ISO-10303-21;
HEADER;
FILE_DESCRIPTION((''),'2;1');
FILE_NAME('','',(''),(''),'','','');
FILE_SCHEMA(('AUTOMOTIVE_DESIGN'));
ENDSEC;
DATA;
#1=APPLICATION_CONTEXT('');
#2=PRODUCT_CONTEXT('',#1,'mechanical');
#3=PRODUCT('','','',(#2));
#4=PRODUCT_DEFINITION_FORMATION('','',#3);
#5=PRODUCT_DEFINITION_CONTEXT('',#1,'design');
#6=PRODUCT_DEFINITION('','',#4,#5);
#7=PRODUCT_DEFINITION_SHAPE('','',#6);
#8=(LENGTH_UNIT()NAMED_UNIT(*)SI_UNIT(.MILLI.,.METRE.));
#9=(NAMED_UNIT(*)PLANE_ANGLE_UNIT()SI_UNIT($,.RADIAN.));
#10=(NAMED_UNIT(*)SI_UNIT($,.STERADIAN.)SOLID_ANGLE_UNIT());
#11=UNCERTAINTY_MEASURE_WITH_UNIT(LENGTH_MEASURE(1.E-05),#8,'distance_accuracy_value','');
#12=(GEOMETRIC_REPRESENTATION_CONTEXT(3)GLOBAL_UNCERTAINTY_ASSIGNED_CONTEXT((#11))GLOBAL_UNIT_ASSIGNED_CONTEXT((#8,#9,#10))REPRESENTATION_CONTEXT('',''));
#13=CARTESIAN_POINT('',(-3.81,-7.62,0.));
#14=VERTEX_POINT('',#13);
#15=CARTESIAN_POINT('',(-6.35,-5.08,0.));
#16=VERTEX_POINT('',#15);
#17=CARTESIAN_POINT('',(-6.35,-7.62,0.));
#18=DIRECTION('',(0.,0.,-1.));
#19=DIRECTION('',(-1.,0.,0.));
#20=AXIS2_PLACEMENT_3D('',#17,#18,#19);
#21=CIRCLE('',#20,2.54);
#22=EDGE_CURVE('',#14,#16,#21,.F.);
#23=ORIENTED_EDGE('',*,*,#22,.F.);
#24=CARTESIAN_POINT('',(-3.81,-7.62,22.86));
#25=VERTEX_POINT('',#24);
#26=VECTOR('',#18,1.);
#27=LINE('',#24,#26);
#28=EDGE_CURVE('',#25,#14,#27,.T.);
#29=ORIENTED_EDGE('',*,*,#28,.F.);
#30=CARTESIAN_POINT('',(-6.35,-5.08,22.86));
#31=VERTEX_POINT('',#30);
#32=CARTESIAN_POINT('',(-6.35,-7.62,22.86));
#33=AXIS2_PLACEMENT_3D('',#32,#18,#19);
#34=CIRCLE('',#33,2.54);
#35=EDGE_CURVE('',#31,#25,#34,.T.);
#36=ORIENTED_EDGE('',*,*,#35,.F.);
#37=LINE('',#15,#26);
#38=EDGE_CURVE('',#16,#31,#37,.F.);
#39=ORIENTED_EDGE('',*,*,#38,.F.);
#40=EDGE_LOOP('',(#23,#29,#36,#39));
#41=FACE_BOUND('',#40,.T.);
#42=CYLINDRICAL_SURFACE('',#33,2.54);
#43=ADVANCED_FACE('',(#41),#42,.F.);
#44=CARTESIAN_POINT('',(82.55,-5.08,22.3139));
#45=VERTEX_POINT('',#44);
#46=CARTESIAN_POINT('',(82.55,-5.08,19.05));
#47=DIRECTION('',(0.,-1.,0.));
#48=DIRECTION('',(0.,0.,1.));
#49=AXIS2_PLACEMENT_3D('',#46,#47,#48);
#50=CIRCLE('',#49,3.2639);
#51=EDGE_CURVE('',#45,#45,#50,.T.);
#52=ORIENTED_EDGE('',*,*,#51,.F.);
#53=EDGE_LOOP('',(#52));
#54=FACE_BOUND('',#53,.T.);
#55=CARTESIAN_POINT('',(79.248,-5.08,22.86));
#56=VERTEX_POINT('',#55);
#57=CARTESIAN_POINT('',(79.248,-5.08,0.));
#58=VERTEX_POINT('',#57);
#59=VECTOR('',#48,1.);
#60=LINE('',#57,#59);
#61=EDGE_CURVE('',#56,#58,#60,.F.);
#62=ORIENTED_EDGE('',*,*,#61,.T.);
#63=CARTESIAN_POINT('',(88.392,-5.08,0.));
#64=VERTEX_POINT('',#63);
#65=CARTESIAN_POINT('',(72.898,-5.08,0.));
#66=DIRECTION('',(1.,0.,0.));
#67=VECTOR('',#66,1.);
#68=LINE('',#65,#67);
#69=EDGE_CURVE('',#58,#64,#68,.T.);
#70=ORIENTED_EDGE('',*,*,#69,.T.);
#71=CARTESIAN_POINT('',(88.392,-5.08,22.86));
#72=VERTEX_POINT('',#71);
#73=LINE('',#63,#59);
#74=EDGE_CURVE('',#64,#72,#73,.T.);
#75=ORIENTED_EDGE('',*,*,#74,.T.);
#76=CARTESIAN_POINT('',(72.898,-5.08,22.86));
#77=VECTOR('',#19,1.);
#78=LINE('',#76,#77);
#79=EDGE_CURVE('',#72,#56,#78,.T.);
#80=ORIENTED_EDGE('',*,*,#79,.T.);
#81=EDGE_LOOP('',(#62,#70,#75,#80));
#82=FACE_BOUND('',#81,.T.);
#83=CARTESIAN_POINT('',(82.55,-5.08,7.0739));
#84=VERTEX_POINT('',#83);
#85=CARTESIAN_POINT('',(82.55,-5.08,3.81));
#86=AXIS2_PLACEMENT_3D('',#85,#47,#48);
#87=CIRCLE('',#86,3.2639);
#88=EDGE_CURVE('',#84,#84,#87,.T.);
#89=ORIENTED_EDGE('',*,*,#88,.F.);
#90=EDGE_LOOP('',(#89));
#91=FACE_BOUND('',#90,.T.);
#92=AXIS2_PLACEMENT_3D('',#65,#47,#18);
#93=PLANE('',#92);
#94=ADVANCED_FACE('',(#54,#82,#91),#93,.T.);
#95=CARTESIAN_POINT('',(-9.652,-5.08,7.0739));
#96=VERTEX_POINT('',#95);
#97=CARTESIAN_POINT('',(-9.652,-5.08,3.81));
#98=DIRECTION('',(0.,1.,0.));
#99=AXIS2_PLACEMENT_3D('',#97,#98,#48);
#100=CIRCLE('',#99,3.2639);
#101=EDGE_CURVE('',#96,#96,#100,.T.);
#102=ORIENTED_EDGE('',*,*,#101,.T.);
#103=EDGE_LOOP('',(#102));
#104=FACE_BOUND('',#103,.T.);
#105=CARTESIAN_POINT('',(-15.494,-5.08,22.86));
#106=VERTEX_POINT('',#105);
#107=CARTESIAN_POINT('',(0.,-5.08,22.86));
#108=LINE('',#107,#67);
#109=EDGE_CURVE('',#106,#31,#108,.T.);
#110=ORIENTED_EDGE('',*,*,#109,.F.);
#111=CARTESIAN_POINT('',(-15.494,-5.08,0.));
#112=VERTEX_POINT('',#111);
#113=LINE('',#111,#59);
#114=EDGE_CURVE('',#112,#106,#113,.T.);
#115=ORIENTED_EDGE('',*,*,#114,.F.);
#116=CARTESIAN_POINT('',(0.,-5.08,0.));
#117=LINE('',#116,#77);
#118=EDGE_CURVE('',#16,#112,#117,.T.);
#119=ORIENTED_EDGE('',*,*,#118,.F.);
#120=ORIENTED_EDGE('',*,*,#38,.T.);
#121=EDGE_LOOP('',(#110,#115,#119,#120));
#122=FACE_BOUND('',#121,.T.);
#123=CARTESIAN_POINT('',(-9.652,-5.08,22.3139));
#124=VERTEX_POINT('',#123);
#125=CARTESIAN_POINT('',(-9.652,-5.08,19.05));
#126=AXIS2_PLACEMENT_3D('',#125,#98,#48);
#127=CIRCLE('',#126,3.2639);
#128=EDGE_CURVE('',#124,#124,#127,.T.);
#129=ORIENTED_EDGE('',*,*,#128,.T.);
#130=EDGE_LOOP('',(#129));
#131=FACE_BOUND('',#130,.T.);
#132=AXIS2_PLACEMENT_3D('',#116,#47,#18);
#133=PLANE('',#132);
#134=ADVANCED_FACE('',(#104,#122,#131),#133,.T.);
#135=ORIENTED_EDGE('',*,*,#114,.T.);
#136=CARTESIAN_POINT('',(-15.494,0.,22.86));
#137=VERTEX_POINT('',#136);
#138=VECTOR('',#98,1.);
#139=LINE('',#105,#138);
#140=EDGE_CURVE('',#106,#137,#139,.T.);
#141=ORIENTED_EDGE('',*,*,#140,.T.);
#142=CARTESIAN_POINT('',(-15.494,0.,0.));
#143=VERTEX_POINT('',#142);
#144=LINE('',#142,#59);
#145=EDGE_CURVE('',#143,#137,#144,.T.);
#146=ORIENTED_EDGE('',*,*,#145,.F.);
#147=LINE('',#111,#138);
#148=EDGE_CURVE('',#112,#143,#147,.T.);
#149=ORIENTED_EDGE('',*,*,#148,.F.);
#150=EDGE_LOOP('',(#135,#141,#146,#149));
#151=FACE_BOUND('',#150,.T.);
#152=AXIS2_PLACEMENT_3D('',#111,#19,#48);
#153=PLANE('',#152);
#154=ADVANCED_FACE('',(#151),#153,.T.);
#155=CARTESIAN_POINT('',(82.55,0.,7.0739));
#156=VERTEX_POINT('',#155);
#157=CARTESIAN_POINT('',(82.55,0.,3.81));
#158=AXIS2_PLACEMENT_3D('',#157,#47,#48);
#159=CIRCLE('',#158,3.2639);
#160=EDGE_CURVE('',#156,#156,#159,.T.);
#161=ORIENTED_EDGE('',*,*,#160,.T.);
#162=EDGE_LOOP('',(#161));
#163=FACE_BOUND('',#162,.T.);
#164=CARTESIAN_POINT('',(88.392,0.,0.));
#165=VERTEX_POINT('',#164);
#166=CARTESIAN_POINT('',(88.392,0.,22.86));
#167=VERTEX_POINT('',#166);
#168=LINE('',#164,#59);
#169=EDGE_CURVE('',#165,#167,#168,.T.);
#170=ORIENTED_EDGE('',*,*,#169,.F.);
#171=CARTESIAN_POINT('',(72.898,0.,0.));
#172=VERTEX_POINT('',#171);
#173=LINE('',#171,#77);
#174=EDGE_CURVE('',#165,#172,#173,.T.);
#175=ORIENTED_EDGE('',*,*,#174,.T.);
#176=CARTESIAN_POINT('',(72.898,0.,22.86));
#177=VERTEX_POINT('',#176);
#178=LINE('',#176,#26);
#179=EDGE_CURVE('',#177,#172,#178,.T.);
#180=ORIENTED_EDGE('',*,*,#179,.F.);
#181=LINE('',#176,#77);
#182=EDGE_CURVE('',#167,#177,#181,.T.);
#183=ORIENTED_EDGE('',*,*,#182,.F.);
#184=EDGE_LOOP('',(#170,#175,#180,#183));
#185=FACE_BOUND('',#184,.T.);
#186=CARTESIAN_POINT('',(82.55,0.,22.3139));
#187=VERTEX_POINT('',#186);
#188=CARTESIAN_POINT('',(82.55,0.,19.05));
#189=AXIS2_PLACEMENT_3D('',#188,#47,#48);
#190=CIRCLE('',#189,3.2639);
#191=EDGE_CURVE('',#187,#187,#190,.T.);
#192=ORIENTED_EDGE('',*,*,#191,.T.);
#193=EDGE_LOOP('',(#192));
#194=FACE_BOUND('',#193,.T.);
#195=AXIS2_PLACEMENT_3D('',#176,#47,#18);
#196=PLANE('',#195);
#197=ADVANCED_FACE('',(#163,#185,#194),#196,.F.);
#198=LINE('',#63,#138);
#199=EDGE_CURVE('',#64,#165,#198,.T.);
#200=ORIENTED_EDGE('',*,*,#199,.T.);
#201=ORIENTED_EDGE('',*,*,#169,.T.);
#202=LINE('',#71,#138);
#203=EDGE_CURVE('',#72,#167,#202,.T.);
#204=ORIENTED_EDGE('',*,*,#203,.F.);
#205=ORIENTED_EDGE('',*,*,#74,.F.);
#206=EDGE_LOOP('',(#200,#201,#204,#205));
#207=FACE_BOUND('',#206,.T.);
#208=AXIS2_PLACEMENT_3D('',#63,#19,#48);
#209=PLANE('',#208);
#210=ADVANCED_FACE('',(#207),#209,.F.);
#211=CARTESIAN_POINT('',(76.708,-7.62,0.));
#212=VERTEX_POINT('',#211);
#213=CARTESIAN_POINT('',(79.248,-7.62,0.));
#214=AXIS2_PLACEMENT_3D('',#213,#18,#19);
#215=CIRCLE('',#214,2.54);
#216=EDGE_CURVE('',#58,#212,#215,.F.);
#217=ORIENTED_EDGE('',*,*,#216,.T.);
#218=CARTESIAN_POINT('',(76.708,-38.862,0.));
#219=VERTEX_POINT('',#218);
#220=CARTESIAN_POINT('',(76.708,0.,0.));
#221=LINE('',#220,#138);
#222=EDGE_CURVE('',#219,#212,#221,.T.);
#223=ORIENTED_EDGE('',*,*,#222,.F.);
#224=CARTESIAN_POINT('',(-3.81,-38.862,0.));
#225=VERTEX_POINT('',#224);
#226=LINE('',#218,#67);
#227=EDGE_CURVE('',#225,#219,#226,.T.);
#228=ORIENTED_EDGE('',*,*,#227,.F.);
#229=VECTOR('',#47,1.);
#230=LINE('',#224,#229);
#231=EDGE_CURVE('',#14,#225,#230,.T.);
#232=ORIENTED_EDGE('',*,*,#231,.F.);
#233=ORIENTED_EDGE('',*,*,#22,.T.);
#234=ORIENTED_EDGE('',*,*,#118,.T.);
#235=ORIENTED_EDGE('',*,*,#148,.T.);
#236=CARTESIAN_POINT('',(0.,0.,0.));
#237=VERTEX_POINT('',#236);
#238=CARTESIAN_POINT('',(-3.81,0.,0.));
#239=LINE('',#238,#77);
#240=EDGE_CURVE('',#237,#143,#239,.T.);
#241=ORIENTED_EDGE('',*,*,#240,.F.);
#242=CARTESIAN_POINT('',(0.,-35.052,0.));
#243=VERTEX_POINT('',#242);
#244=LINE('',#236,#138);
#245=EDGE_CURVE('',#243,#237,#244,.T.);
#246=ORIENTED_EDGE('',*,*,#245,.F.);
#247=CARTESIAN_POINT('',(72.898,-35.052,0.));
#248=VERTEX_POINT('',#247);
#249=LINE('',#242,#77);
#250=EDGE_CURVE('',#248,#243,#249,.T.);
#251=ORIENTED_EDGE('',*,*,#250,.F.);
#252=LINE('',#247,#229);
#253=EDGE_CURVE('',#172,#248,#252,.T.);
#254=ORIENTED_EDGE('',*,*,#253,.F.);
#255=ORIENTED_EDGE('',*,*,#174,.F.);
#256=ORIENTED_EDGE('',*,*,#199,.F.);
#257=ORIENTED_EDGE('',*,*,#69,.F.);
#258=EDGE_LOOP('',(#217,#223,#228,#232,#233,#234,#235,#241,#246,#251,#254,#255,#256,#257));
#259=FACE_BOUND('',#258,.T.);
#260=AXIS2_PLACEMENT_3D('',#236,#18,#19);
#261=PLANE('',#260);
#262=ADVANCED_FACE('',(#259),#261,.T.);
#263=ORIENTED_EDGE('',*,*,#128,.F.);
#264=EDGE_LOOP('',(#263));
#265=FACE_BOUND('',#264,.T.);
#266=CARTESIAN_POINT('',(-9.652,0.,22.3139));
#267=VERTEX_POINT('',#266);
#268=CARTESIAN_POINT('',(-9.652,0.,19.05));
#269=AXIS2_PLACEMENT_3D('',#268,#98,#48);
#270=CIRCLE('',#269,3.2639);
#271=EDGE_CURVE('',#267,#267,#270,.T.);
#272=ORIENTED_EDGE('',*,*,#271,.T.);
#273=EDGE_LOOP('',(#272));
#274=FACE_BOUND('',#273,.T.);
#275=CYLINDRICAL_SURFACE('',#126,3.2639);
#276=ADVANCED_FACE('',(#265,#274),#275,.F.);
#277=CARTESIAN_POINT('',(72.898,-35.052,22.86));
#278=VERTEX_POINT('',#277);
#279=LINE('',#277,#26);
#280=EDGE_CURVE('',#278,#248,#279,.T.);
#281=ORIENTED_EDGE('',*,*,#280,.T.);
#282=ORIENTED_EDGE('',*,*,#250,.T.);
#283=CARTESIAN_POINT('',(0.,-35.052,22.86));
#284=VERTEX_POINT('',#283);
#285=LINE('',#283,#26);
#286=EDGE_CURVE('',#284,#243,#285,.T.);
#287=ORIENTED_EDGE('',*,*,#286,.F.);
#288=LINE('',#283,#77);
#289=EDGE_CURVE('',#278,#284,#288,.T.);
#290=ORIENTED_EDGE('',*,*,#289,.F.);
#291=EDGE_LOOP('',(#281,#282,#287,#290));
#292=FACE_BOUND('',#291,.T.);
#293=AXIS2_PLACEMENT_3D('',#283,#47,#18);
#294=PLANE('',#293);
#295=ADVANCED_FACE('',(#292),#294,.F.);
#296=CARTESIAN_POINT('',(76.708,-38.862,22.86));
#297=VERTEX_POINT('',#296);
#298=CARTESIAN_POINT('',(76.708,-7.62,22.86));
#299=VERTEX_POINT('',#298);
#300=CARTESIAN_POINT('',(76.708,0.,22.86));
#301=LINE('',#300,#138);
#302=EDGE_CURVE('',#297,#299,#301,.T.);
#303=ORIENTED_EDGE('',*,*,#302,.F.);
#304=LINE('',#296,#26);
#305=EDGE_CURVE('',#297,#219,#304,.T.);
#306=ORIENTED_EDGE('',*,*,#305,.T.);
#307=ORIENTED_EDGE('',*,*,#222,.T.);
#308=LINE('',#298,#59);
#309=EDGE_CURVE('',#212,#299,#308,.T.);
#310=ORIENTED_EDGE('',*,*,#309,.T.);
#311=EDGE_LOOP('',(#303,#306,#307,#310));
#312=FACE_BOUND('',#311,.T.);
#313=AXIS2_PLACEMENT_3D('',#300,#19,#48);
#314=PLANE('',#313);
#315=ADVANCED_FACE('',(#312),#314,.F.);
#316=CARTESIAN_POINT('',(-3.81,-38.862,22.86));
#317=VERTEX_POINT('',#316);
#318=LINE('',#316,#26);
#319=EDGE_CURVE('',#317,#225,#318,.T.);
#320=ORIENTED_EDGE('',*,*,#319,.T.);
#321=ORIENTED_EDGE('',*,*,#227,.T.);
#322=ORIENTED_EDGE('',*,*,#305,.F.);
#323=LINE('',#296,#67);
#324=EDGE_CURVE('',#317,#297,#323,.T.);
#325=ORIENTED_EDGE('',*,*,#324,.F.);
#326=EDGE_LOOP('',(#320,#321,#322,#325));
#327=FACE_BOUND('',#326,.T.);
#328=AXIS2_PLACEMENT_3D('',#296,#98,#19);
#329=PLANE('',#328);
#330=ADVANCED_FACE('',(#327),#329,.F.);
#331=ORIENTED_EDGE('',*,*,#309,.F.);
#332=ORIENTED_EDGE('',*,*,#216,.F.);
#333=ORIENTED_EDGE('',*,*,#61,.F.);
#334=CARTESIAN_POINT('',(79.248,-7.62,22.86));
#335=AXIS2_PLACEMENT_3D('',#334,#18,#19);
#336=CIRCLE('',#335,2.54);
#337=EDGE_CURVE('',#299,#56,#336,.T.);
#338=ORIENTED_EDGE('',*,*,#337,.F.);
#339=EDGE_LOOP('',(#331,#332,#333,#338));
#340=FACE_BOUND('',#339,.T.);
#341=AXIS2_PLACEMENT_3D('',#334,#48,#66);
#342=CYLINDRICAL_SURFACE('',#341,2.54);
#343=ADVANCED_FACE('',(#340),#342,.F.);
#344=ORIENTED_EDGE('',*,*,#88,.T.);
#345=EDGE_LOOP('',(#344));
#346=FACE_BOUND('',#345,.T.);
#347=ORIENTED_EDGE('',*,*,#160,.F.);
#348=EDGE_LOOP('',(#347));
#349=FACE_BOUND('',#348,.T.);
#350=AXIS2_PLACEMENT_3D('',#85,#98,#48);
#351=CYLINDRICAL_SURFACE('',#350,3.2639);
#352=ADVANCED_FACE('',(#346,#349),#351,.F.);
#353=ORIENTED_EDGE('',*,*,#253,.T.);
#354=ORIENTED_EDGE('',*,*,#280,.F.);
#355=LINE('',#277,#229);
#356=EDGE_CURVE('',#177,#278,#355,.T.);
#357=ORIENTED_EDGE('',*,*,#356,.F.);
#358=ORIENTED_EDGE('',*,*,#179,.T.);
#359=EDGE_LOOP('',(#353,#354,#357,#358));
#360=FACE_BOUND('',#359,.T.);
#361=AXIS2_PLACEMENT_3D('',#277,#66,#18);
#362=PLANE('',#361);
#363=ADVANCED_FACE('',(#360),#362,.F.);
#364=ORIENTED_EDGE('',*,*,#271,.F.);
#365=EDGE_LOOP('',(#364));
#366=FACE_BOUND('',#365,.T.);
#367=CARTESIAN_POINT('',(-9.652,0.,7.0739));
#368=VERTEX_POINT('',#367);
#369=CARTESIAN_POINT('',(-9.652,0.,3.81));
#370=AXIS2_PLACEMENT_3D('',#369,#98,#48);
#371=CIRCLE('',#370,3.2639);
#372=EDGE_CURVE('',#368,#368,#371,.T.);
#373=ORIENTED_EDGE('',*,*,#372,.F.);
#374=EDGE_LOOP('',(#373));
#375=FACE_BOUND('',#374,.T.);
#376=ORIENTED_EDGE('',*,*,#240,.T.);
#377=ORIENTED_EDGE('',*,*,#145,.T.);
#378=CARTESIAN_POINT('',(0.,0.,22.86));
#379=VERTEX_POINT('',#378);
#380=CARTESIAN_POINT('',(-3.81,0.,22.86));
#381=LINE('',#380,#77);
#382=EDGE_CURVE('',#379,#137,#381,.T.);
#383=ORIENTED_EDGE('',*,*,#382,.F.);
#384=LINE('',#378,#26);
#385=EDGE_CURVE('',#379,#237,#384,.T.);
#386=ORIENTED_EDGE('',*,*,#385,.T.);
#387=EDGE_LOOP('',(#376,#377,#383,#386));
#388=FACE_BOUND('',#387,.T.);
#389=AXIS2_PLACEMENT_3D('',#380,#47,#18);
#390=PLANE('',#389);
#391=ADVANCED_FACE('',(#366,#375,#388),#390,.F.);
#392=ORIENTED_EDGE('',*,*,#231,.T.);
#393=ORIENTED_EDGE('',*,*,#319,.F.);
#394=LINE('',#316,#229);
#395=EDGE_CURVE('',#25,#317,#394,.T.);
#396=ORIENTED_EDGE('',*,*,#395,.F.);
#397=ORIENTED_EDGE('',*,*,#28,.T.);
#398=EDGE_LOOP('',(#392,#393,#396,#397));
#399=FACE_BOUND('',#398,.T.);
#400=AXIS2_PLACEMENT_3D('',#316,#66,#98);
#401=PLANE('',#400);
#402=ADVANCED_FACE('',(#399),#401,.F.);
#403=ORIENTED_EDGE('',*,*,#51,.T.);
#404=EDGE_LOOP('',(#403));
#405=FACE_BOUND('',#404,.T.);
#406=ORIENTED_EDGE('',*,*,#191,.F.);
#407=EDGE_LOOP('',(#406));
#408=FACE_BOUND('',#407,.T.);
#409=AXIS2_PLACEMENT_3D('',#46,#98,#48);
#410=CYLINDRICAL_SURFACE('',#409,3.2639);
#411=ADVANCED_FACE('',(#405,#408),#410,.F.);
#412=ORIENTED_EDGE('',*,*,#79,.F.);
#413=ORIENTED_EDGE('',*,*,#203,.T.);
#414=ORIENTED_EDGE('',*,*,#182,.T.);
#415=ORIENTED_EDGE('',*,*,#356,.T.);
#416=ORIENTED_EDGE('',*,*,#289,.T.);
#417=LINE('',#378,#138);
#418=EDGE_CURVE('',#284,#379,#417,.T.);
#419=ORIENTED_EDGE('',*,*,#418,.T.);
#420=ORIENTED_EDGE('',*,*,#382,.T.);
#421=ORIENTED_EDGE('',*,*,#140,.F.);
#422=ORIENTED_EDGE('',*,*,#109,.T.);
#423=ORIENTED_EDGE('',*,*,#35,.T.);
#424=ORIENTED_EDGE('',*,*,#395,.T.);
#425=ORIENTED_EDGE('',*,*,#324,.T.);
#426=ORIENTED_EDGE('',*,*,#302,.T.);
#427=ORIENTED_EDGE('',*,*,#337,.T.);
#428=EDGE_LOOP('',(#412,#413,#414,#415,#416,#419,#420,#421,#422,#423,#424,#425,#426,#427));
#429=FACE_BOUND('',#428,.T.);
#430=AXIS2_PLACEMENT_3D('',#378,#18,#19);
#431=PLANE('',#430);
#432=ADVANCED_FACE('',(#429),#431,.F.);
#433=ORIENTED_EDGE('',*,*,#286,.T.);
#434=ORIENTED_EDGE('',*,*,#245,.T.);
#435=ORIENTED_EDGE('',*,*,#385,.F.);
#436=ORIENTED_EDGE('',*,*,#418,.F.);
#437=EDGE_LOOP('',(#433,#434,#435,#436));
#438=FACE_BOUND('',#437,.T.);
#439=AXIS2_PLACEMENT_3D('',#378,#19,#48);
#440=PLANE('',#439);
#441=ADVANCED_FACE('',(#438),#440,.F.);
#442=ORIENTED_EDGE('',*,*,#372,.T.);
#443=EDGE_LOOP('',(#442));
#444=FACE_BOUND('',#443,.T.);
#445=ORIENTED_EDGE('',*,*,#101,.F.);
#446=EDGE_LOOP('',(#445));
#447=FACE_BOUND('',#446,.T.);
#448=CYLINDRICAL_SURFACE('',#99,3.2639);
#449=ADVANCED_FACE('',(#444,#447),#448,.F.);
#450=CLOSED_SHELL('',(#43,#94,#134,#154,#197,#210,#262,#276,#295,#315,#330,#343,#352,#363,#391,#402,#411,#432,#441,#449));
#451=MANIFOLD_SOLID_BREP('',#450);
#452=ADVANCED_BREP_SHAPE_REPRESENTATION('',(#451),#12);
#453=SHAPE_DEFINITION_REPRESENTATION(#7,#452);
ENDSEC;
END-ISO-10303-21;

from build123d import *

# Parameters (mm, degrees)
BOSS_EXTRUDE1_DEPTH = 22.86
SKETCH2_W           = 15.494
SKETCH2_H           = 22.86
SKETCH2_R           = 3.2639
BOSS_EXTRUDE2_DEPTH = 5.08
FILLET1_R           = 2.54


with BuildPart() as part:
    # Sketch1 → Boss-Extrude1 (new body)
    with BuildSketch(Plane.XY):
        Polygon((0, 0), (0, -35.052), (72.898, -35.052), (72.898, 0), (76.708, 0), (76.708, -38.862), (-3.81, -38.862), (-3.81, 0), align=None)
    extrude(amount=BOSS_EXTRUDE1_DEPTH)

    # Sketch2 → Boss-Extrude2 (add)
    with BuildSketch(Plane(origin=(0, 0, 0), x_dir=(1, 0, 0), z_dir=(0, 1, 0))):
        with Locations((-7.747, -11.43)):
            Rectangle(SKETCH2_W, SKETCH2_H)
        with Locations(Location((-9.652, -3.81, 0), (0, 0, 270))):
            Circle(SKETCH2_R, mode=Mode.SUBTRACT)
        with Locations(Location((-9.652, -19.05, 0), (0, 0, 270))):
            Circle(SKETCH2_R, mode=Mode.SUBTRACT)
    boss_extrude2 = extrude(amount=-BOSS_EXTRUDE2_DEPTH)

    # Mirror1: Boss-Extrude2 across plane
    add(boss_extrude2.mirror(Plane(origin=(36.449, 0, 0), x_dir=(0, 0, 1), z_dir=(1, 0, 0))))

    # Fillet1
    fillet1_edges = [part.edges().sort_by_distance(p)[0] for p in [
        (-3.81, -5.08, 11.43),
        (76.708, -5.08, 11.43),
    ]]
    fillet(fillet1_edges, radius=FILLET1_R)


solid = part.part
